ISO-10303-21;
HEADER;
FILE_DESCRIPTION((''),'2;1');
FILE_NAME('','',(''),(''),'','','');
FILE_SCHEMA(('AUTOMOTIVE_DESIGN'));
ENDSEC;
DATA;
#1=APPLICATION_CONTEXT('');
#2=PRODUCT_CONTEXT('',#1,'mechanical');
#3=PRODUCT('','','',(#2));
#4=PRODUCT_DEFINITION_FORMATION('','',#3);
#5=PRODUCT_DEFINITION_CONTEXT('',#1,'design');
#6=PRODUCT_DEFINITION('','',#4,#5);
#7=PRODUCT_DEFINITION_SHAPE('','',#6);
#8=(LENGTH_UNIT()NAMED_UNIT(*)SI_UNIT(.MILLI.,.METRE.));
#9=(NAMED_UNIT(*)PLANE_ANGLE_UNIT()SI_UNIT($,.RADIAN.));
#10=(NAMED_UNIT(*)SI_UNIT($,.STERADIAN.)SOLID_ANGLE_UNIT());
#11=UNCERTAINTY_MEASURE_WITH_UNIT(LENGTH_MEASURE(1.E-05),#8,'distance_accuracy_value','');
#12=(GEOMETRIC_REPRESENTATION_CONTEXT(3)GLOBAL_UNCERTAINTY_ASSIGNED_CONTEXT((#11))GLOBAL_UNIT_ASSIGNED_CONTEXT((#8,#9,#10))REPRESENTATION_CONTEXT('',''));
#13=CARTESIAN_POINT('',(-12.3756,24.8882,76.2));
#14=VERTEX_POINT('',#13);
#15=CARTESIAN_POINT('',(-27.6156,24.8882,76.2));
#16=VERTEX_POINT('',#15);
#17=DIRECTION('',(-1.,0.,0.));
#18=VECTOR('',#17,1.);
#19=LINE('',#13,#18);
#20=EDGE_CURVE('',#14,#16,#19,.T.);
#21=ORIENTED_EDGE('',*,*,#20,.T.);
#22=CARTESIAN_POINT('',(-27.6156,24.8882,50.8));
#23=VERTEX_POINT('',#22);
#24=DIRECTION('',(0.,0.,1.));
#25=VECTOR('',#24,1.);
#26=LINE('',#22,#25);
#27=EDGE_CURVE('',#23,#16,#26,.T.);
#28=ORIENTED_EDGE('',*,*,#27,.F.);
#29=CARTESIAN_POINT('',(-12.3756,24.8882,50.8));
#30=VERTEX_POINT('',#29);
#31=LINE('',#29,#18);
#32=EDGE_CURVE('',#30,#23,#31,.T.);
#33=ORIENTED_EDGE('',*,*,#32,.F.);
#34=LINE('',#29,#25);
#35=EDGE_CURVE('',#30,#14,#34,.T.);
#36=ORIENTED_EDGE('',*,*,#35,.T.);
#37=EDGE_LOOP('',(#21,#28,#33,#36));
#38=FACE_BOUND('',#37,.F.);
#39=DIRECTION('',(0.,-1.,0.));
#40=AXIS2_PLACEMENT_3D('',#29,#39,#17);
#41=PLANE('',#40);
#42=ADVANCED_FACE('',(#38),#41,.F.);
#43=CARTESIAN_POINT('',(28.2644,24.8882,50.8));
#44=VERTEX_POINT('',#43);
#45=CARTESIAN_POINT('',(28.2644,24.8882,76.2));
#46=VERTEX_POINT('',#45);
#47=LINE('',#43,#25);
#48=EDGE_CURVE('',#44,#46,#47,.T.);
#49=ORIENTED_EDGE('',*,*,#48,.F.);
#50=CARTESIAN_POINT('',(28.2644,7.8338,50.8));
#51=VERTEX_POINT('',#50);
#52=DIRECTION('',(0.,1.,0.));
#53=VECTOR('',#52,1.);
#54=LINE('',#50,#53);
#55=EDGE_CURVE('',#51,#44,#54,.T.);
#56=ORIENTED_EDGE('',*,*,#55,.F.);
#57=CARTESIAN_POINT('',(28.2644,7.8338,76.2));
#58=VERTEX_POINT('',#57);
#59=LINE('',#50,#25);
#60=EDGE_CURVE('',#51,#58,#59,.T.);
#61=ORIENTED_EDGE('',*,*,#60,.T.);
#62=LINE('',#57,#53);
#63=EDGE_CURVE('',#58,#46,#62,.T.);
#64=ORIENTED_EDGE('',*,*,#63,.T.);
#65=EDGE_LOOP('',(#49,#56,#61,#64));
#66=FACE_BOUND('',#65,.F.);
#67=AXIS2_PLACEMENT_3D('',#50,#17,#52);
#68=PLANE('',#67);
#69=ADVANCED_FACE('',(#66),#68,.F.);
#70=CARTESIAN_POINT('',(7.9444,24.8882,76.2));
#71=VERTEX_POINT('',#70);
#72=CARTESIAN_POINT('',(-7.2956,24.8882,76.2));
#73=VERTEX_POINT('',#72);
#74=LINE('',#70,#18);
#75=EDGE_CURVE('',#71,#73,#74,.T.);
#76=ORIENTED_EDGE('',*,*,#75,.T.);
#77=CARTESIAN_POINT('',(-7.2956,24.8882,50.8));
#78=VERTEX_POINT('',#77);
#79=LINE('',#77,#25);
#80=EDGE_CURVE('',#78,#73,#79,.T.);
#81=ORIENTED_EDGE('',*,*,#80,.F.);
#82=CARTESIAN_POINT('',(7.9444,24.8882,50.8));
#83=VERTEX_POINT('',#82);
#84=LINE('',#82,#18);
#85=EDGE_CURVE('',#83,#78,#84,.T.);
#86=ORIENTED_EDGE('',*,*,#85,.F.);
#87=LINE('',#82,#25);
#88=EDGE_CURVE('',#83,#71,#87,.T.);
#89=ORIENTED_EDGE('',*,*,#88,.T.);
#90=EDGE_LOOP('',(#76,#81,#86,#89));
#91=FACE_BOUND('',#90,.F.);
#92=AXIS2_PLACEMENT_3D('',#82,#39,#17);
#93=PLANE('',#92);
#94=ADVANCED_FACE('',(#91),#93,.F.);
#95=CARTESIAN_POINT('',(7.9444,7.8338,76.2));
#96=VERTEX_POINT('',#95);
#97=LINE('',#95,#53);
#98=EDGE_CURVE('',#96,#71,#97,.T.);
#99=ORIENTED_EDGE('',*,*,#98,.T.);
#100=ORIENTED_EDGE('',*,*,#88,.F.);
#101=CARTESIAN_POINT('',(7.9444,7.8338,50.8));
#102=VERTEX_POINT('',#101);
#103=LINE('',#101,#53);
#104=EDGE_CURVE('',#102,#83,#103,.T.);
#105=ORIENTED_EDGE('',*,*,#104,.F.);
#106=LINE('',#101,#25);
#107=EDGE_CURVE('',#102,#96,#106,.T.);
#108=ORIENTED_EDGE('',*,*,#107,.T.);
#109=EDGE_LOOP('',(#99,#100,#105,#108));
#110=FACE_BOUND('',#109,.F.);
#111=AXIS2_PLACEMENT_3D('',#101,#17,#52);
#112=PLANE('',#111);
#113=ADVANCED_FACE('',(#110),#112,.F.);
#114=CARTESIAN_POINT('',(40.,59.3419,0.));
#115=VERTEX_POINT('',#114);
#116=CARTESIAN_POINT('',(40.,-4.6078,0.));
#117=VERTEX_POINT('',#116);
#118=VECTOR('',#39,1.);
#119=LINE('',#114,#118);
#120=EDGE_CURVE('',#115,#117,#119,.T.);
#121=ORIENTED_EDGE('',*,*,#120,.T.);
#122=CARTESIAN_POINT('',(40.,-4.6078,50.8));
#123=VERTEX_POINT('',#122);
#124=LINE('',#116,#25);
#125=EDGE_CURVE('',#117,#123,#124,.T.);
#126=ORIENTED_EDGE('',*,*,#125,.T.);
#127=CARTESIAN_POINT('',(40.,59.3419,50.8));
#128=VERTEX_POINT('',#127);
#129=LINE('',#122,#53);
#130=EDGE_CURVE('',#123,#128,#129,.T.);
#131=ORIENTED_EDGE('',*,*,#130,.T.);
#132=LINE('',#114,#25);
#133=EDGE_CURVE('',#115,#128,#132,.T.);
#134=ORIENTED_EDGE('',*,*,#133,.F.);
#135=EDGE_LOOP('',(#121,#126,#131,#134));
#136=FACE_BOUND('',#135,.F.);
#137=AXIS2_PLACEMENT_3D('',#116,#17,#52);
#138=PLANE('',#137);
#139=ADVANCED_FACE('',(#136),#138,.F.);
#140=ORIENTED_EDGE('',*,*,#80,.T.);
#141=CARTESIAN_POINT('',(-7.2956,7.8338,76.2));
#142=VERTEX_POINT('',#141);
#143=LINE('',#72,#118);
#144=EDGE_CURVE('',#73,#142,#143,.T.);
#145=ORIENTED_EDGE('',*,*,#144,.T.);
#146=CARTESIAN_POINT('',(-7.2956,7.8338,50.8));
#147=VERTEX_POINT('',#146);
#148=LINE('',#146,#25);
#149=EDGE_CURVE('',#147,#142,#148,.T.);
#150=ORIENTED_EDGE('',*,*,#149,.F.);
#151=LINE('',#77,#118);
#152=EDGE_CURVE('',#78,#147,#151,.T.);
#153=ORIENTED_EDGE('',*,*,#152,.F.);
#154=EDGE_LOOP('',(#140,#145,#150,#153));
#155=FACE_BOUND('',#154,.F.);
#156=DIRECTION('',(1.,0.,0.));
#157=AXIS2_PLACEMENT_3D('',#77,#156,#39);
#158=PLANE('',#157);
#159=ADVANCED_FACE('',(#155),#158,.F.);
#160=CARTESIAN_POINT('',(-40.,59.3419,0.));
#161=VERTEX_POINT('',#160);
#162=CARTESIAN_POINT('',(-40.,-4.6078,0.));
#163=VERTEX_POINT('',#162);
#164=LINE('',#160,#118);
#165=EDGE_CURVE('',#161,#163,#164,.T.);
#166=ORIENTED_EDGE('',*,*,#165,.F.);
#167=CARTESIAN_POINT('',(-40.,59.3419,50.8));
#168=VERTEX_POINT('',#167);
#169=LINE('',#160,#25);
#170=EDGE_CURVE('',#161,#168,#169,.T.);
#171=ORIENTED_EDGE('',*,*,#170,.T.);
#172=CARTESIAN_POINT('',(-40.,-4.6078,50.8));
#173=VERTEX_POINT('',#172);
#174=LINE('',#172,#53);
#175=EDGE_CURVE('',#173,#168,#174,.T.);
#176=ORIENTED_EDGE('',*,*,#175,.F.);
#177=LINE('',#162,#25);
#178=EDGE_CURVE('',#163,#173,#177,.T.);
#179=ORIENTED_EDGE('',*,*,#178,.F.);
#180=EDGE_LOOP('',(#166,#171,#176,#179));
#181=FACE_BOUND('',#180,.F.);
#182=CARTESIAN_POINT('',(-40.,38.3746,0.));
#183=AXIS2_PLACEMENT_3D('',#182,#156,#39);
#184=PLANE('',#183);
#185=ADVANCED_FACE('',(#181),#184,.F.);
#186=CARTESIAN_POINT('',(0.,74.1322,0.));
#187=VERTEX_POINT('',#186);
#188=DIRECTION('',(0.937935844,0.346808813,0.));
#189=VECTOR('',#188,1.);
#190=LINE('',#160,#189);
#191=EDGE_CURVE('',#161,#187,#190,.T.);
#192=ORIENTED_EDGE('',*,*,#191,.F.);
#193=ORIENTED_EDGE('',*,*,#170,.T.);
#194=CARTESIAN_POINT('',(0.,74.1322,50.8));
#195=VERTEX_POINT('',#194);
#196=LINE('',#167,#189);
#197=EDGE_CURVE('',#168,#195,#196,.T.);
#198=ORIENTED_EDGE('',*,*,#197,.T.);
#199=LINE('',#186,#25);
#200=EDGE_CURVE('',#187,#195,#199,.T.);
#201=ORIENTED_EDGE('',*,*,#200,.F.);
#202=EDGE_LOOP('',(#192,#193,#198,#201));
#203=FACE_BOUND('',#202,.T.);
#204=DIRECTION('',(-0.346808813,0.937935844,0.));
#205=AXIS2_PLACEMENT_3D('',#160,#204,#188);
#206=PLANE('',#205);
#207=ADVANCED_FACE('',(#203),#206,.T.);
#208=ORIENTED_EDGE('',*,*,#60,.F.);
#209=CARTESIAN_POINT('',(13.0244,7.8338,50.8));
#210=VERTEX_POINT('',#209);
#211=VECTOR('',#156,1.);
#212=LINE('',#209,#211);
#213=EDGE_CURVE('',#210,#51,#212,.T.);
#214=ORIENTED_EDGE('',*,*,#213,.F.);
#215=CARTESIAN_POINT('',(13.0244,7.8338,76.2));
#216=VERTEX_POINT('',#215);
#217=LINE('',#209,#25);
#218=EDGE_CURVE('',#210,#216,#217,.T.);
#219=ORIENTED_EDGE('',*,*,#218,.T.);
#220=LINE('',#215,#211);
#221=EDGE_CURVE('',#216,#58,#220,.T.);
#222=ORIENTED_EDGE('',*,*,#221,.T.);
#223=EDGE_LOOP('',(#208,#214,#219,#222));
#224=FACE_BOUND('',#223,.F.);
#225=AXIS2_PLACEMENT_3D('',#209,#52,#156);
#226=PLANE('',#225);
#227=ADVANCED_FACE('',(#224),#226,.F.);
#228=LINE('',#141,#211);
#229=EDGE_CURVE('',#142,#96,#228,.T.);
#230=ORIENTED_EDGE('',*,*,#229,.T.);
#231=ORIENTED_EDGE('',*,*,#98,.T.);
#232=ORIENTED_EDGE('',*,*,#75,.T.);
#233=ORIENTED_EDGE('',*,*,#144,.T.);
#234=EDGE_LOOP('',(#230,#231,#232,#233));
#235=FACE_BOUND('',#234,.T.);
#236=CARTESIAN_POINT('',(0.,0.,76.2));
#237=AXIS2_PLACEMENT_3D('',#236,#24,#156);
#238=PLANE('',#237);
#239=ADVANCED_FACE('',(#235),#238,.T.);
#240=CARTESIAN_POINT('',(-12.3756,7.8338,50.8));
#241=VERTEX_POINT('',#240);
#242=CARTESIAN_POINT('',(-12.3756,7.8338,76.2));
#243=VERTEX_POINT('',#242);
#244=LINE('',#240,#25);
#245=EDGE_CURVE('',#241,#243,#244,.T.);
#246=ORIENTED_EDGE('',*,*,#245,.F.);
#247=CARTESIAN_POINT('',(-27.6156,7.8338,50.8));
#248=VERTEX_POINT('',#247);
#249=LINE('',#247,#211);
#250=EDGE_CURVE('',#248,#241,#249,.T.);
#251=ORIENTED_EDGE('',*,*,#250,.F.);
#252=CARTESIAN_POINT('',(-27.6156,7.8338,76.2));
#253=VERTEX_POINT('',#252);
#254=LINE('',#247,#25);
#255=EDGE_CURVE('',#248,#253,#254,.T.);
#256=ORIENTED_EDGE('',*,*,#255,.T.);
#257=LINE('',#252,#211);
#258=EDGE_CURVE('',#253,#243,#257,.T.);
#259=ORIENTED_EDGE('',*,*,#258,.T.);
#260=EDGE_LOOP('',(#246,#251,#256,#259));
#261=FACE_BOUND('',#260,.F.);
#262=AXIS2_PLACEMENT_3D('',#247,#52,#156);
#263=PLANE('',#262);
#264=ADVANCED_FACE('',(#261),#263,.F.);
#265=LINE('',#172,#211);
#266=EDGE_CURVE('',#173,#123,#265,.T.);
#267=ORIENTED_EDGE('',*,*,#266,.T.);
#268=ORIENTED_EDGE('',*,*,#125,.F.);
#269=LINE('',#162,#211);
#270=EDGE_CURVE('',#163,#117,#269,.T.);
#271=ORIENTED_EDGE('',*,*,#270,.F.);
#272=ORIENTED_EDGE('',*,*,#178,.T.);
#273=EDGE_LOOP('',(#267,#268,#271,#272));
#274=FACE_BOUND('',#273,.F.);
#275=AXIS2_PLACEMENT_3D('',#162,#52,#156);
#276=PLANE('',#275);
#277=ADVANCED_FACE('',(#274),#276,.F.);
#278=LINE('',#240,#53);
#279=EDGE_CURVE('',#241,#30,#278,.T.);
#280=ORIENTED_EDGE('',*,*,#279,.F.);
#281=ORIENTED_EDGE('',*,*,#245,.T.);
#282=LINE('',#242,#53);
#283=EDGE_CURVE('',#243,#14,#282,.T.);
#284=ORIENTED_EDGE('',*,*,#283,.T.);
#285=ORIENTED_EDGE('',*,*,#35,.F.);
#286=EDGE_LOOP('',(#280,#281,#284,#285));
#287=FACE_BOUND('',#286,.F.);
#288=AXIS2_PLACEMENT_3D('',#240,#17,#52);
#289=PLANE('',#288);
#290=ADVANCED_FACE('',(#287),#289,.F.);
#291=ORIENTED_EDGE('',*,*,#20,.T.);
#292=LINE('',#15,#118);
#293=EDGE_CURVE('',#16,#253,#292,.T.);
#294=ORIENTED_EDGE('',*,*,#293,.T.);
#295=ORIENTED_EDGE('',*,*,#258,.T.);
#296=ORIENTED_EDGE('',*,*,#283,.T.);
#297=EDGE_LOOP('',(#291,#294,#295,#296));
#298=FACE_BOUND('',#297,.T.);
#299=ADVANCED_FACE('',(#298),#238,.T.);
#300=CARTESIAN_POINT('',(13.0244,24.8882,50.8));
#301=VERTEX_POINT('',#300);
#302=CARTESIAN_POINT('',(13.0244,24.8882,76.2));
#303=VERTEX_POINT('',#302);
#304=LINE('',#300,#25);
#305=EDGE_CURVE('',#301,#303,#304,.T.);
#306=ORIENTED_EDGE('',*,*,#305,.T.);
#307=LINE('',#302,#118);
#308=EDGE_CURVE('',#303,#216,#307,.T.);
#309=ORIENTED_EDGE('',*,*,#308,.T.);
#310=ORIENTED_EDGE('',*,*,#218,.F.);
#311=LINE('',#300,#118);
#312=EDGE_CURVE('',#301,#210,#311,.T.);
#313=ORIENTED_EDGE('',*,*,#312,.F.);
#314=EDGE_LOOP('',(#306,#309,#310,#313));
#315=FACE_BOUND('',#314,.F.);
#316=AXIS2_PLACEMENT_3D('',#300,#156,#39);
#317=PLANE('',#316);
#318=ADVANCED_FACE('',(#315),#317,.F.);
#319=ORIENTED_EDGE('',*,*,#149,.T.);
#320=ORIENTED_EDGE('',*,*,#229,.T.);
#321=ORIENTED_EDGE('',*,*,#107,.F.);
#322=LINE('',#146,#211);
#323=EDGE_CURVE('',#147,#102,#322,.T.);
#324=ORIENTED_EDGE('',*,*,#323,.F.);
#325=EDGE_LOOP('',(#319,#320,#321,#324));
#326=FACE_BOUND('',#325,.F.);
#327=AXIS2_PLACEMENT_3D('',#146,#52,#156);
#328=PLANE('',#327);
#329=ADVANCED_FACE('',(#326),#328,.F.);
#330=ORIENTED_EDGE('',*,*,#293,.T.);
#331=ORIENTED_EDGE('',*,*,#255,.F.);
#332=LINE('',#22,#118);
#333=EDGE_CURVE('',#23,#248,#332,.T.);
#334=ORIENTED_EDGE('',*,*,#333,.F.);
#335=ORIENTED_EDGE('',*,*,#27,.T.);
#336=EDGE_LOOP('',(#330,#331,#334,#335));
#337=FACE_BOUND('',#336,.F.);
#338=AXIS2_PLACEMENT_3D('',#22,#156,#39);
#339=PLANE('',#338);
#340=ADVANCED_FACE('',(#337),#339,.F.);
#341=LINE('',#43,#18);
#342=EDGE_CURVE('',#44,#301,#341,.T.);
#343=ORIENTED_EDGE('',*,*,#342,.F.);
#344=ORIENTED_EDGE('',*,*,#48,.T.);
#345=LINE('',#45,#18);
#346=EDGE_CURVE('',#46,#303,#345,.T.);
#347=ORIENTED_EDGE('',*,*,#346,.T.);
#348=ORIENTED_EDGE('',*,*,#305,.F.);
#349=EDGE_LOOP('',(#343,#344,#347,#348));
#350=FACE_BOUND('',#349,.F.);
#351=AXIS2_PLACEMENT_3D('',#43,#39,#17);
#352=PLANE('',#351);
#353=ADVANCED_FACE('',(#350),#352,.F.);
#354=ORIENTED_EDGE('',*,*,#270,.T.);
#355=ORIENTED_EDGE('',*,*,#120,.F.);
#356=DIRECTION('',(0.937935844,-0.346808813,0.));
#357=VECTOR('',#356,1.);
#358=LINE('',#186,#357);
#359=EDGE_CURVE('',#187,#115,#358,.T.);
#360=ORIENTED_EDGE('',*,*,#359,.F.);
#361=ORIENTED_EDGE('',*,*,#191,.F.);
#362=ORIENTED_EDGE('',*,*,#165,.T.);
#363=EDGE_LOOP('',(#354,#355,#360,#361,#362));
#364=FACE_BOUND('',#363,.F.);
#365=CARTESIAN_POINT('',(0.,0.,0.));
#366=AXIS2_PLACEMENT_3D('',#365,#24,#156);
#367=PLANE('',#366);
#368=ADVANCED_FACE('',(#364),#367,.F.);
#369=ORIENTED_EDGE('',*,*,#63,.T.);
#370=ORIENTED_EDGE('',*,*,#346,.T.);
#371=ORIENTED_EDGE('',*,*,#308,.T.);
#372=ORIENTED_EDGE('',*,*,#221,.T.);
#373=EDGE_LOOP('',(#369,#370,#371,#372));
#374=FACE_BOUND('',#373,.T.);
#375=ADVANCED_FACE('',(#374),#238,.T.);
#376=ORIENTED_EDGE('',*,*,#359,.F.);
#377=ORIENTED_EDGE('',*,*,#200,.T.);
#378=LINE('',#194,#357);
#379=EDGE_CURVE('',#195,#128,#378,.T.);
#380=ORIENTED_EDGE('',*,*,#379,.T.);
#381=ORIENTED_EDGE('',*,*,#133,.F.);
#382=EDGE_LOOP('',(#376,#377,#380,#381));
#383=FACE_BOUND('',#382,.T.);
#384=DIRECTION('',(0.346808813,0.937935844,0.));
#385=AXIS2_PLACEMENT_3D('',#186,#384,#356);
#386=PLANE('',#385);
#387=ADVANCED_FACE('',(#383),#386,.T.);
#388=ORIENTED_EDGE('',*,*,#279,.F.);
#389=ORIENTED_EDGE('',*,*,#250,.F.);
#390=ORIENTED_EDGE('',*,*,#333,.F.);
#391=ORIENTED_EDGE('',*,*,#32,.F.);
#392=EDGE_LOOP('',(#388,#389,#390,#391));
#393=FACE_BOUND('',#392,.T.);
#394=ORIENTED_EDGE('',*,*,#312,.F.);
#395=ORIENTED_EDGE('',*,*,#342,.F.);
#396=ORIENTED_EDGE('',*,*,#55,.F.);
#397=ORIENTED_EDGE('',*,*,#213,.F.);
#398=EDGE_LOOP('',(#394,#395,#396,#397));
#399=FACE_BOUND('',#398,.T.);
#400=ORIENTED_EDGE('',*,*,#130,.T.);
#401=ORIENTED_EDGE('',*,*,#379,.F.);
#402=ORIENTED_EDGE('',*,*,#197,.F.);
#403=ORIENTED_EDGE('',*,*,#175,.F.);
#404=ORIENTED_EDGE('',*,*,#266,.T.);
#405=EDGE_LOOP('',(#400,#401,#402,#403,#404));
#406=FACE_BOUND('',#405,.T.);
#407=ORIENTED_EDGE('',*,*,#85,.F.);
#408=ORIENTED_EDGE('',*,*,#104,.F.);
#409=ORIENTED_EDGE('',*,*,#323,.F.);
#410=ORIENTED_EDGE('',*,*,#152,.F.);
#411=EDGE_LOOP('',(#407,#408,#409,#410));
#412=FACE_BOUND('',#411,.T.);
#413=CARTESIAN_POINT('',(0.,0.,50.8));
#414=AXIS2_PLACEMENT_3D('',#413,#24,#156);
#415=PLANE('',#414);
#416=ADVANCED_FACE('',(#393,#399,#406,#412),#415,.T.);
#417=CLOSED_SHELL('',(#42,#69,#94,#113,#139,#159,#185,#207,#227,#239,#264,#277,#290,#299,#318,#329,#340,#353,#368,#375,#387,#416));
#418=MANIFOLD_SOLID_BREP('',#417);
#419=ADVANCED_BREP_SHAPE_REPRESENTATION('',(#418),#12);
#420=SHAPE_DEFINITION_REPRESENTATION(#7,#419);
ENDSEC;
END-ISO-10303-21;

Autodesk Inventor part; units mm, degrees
ref_plane "YZ Plane" through (0, 0, 0) normal (1, 0, 0) x (0, 1, 0)
ref_plane "XZ Plane" through (0, 0, 0) normal (0, 1, 0) x (-1, 0, 0)
ref_plane "XY Plane" through (0, 0, 0) normal (0, 0, 1) x (1, 0, 0)
sketch "Sketch1" plane through (0, 0, 0) normal (0, 0, 1) x (1, 0, 0)
  line L0 (-40, -4.6078) -> (40, -4.6078)
  line L1 (40, -4.6078) -> (40, 38.3746)
  line L2 (-40, 38.3746) -> (-40, -4.6078)
  line L3 (-40, 59.3419) -> (-40, 38.3746)
  line L4 (40, 59.3419) -> (40, 38.3746)
  line L5 (-40, 59.3419) -> (0, 74.1322)
  line L6 (0, 74.1322) -> (40, 59.3419)
  point P0 (0, 0)
  dimension "d0" = 80
  dimension "d5" = 78.74
extrude "Extrusion1" add sketch "Sketch1" along normal blind 50.8
sketch "Sketch4" plane through (0, 0, 50.8) normal (0, 0, 1) x (1, 0, 0)
  line L0 (-27.6156, 7.8338) -> (-12.3756, 7.8338)
  line L1 (-12.3756, 7.8338) -> (-12.3756, 24.8882)
  line L2 (-12.3756, 24.8882) -> (-27.6156, 24.8882)
  line L3 (-27.6156, 24.8882) -> (-27.6156, 7.8338)
  line L4 (-7.2956, 7.8338) -> (7.9444, 7.8338)
  line L5 (7.9444, 7.8338) -> (7.9444, 24.8882)
  line L6 (7.9444, 24.8882) -> (-7.2956, 24.8882)
  line L7 (-7.2956, 24.8882) -> (-7.2956, 7.8338)
  line L8 (13.0244, 7.8338) -> (28.2644, 7.8338)
  line L9 (28.2644, 7.8338) -> (28.2644, 24.8882)
  line L10 (28.2644, 24.8882) -> (13.0244, 24.8882)
  line L11 (13.0244, 24.8882) -> (13.0244, 7.8338)
  point P0 (0, 0)
  dimension "d17" = 15.24
  dimension "d19" = 15.24
  dimension "d21" = 15.24
extrude "Extrusion2" add sketch "Sketch4" along normal blind 25.4
properties part number "cwsumorobot"
